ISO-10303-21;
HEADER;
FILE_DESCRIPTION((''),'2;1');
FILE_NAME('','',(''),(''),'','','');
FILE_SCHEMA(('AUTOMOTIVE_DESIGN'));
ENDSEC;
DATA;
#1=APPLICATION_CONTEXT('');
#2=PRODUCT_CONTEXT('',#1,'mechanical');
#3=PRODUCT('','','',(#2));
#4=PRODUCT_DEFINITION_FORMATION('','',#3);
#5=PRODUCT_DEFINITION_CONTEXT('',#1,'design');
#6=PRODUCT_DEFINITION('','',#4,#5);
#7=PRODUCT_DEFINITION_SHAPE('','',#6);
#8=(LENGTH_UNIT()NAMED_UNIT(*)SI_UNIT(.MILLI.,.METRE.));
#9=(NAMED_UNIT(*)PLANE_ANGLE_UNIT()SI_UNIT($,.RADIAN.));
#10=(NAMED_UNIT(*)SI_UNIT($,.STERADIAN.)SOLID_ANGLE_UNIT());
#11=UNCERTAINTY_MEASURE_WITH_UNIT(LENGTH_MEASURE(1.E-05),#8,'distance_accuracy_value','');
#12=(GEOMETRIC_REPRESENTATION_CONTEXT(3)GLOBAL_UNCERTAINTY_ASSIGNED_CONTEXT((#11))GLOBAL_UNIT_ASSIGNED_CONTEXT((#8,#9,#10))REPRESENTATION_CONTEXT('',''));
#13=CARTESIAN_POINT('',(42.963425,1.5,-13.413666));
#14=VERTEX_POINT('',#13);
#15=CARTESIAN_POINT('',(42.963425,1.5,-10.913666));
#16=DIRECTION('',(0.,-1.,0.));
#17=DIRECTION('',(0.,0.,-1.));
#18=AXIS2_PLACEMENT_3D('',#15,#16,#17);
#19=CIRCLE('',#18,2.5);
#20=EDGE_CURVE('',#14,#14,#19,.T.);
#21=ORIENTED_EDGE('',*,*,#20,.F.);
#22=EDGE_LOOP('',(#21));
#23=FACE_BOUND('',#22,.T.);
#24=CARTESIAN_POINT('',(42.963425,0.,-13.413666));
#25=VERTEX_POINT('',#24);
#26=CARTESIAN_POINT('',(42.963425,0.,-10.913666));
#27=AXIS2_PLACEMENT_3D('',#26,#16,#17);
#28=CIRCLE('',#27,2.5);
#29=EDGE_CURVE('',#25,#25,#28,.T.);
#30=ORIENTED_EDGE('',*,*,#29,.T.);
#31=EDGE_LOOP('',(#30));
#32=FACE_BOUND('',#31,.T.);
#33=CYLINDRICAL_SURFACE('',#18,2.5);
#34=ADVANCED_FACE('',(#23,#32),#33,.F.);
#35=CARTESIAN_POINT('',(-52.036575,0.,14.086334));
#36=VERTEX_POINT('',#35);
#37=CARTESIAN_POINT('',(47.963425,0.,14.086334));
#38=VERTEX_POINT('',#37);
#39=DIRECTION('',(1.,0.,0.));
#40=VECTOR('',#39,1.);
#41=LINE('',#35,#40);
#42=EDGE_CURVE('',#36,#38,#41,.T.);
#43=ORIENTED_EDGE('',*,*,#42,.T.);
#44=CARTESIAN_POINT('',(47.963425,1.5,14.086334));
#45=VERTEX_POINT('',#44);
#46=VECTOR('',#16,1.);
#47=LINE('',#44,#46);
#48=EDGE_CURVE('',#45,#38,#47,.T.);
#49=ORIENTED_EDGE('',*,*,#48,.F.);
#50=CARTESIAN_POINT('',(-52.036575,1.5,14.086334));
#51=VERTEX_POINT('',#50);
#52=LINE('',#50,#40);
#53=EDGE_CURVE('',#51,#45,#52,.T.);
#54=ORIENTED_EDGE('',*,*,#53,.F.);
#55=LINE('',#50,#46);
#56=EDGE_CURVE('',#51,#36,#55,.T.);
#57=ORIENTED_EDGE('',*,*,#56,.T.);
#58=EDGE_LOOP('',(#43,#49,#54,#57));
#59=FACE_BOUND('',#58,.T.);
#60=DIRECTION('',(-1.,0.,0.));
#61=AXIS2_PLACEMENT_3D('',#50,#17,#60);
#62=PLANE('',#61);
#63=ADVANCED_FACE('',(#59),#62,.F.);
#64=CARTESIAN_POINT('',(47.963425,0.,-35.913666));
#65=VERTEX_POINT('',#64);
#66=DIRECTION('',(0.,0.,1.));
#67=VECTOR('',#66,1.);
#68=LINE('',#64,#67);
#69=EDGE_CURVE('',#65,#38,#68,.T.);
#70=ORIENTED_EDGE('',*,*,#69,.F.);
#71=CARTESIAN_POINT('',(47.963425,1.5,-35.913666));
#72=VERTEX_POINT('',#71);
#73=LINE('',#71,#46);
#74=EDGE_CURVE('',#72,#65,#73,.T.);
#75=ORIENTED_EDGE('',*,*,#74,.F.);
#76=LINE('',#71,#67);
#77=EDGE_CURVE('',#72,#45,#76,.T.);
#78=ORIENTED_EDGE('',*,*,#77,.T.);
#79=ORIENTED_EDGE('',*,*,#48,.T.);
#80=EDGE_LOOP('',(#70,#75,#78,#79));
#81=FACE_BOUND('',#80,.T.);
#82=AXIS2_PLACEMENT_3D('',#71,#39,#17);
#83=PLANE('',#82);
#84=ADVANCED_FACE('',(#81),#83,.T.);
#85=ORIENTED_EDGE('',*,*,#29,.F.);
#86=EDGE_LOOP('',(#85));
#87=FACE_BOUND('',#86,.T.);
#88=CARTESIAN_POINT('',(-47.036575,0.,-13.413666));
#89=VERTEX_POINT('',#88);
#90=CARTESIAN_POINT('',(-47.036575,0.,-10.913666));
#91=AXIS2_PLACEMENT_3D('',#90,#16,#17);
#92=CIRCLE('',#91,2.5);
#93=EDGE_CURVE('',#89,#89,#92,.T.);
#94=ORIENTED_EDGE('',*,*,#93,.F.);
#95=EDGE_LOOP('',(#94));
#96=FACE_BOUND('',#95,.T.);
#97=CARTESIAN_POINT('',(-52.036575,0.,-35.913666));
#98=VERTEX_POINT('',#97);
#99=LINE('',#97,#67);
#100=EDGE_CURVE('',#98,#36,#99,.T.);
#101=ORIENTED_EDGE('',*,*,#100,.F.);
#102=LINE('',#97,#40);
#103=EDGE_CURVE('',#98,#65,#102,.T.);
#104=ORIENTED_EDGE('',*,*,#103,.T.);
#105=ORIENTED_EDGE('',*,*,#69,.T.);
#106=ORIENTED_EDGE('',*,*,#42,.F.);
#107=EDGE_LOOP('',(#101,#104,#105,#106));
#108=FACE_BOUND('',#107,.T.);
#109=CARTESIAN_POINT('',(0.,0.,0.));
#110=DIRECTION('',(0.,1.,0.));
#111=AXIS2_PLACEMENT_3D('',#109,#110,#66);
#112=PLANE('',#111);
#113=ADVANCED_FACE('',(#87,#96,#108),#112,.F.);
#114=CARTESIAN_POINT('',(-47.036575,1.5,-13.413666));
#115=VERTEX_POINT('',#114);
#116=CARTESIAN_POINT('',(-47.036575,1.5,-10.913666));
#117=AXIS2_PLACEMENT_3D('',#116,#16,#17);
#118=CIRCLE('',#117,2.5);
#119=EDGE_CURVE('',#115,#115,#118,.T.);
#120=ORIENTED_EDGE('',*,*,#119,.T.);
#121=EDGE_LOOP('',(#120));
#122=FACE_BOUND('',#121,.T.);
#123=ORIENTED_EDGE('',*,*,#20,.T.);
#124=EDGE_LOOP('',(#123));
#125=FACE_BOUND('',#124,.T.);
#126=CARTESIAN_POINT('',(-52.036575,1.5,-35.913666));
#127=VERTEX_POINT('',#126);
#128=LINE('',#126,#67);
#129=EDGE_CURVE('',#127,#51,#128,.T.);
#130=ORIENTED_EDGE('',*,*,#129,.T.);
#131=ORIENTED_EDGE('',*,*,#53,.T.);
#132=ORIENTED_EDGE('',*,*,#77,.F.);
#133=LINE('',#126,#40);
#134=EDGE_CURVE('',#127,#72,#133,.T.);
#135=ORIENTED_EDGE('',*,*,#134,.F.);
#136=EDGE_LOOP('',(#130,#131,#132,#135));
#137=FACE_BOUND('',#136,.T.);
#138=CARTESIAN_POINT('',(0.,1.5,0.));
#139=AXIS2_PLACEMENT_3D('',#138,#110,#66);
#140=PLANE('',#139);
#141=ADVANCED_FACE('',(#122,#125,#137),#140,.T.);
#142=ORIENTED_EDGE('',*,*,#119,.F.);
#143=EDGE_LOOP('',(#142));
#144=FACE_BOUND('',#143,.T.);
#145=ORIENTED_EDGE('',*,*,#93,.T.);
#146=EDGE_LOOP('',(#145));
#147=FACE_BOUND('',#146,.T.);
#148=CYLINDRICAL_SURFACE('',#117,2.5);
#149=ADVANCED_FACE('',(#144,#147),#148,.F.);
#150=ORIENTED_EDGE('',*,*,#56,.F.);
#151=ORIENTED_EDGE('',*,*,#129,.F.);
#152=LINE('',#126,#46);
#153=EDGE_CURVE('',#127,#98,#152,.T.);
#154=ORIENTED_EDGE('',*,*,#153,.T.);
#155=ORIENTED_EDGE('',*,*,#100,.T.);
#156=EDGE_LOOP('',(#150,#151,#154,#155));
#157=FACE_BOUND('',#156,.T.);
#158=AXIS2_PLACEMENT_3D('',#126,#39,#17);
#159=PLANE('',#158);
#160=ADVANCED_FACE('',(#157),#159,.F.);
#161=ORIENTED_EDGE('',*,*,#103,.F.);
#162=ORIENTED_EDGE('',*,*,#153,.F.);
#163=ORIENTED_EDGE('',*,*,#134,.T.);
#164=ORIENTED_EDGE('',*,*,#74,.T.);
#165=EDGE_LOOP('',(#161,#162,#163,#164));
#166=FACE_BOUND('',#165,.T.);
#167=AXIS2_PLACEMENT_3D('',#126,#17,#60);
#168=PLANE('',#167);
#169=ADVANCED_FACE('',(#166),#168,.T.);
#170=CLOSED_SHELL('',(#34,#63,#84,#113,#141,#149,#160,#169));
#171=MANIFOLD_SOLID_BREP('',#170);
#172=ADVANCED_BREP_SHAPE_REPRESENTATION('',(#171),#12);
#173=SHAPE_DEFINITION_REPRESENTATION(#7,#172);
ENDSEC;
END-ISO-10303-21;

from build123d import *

# Parameters (mm, degrees)
ESBO_O5_W                = 100
ESBO_O5_H                = 50
RESSALTO_EXTRUS_O1_DEPTH = 1.5
ESBO_O6_R                = 2.5
CORTE_EXTRUS_O1_DEPTH    = 64.244340293


with BuildPart() as part:
    # Esboço5 → Ressalto-extrusão1 (new body)
    with BuildSketch(Plane(origin=(0, 0, 0), x_dir=(1, 0, 0), z_dir=(0, 1, 0))):
        with Locations((-2.03657542, 10.913665889)):
            Rectangle(ESBO_O5_W, ESBO_O5_H)
    extrude(amount=RESSALTO_EXTRUS_O1_DEPTH)

    # Esboço6 → Corte-extrusão1 (cut, through all)
    with BuildSketch(Plane(origin=(0, 0, 0), x_dir=(-1, 0, 0), z_dir=(0, -1, 0))):
        with Locations(Location((47.03657542, 10.913665889, 0), (0, 0, 90))):
            Circle(ESBO_O6_R)
        with Locations(Location((-42.96342458, 10.913665889, 0), (0, 0, 90))):
            Circle(ESBO_O6_R)
    extrude(amount=-CORTE_EXTRUS_O1_DEPTH, mode=Mode.SUBTRACT)


solid = part.part
